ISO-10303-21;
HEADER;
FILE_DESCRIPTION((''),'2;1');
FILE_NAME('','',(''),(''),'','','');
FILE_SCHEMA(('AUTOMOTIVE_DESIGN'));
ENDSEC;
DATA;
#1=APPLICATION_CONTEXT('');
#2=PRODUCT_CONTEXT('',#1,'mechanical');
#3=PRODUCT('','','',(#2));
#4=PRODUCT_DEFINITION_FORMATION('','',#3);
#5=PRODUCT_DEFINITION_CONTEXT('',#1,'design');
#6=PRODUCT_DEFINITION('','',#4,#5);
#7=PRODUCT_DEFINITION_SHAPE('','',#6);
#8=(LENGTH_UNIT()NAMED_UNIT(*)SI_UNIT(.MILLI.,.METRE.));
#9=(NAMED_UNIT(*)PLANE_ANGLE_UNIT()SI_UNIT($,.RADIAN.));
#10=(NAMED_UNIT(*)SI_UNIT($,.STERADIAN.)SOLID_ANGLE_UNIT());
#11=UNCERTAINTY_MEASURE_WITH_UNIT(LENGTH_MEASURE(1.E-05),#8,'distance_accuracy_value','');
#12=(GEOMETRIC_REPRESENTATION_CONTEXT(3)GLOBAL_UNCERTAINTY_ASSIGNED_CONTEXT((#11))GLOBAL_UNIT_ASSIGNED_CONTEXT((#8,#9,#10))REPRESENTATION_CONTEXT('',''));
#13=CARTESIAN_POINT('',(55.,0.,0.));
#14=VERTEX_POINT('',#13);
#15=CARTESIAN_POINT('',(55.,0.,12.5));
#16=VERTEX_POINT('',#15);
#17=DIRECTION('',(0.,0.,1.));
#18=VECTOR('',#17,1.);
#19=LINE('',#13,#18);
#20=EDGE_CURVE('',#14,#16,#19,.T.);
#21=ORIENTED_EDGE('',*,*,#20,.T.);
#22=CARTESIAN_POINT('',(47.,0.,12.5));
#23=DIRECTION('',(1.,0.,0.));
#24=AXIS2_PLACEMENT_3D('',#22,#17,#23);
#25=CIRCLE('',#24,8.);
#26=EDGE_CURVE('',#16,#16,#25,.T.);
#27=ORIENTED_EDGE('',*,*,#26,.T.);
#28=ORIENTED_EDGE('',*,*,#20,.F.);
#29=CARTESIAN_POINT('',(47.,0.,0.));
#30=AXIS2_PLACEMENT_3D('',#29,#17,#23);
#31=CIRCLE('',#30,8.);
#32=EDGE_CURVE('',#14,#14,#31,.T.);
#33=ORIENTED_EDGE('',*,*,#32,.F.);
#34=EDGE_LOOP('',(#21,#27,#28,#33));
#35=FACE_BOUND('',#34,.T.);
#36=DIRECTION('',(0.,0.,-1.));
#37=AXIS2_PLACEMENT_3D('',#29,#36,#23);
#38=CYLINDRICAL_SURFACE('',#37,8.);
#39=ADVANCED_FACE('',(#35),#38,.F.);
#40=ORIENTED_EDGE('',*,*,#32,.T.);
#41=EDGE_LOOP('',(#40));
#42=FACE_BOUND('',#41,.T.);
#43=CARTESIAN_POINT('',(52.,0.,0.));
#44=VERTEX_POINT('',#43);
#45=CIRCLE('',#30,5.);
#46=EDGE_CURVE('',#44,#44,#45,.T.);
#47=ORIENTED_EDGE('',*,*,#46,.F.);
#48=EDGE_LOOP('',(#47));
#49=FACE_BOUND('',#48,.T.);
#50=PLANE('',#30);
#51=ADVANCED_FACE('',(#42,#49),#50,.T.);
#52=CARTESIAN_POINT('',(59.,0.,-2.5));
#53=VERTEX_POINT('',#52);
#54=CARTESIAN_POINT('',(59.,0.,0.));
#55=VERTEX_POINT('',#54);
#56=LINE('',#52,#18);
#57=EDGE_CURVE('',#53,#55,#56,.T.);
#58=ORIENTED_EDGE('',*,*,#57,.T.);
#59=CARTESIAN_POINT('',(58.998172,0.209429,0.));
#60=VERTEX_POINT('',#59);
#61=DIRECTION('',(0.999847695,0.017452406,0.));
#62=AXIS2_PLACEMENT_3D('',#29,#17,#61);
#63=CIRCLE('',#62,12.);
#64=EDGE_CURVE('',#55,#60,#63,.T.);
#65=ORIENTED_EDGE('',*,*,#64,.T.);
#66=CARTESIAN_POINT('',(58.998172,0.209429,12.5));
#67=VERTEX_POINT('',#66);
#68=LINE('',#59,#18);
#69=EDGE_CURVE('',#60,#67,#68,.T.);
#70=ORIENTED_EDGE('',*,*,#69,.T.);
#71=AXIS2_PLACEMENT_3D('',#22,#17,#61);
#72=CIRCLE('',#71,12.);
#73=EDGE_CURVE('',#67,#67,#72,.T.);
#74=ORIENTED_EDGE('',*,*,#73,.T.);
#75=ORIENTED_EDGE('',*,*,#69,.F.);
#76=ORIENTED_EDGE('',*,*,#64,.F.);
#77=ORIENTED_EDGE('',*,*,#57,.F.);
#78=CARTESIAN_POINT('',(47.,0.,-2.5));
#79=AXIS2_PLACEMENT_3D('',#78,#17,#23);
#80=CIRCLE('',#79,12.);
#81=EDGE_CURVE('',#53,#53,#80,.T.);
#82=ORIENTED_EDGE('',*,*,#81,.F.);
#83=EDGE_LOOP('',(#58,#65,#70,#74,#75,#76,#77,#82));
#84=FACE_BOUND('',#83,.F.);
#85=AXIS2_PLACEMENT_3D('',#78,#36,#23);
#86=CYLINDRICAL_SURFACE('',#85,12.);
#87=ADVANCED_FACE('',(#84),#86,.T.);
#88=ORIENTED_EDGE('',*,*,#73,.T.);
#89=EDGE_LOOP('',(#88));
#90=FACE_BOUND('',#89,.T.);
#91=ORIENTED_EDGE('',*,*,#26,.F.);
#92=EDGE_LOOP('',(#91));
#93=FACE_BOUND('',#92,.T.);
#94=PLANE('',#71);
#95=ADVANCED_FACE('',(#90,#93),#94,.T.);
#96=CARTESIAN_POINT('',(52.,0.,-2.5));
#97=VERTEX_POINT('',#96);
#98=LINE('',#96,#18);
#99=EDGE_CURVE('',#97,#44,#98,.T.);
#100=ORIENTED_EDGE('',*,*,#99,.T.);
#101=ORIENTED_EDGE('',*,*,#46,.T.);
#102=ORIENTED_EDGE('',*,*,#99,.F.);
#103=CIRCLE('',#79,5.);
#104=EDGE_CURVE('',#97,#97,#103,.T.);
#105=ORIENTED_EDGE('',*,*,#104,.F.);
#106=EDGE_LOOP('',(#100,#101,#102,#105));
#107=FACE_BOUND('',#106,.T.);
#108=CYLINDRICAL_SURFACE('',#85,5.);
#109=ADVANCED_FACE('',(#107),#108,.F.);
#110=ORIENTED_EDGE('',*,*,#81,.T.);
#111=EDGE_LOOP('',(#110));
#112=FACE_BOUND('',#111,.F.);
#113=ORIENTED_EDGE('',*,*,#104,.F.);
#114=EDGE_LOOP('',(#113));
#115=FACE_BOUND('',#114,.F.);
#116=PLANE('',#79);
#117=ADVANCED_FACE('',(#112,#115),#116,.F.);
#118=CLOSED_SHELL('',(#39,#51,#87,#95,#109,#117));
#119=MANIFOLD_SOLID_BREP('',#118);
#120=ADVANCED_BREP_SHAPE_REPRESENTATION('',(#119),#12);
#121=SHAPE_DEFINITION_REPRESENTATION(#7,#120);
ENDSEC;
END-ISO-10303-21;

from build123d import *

# Parameters (mm, degrees)
CYLINDER024_R               = 5
CYLINDER024_DEPTH           = 2.5
CYLINDER019_R               = 12
CYLINDER019_DEPTH           = 2.5
CYLINDER027_R               = 8
CYLINDER027_DEPTH           = 12.5
CYLINDER026_R               = 12
CYLINDER026_DEPTH           = 12.5
CYLINDER026_PLACEMENT_ANGLE = 1


with BuildPart() as largeplughole:
    # Cylinder024 → Cylinder024 (new body)
    with BuildSketch(Plane.XY):
        Circle(CYLINDER024_R)
    extrude(amount=CYLINDER024_DEPTH)


with BuildPart() as largeplugbase001:
    # Cylinder019 → Cylinder019 (new body)
    with BuildSketch(Plane.XY):
        Circle(CYLINDER019_R)
    extrude(amount=CYLINDER019_DEPTH)

    # Cut008: cut LargePlugHole
    add(largeplughole.part, mode=Mode.SUBTRACT)


with BuildPart() as largeplugwallhole:
    # Cylinder027 → Cylinder027 (new body)
    with BuildSketch(Plane.XY.offset(2.5)):
        Circle(CYLINDER027_R)
    extrude(amount=CYLINDER027_DEPTH)


with BuildPart() as vrm1_out_adapter:
    # Cylinder026 → Cylinder026 (new body)
    with BuildSketch(Plane.XY):
        Circle(CYLINDER026_R)
    extrude(amount=CYLINDER026_DEPTH)


with BuildPart() as vrm1_out_adapter_1:
    # Cylinder026 placement: moved
    add(vrm1_out_adapter.part.moved(Location((0, 0, 2.5))).rotate(Axis((0, 0, 2.5), (0, 0, 1)), CYLINDER026_PLACEMENT_ANGLE))

    # Cut007: cut LargePlugWallHole
    add(largeplugwallhole.part, mode=Mode.SUBTRACT)

    # Fusion027: union LargePlugBase001
    add(largeplugbase001.part)


with BuildPart() as vrm1_out_adapter_2:
    # Fusion027 placement: moved
    add(vrm1_out_adapter_1.part.moved(Location((47, 0, -2.5))))


solid = vrm1_out_adapter_2.part
